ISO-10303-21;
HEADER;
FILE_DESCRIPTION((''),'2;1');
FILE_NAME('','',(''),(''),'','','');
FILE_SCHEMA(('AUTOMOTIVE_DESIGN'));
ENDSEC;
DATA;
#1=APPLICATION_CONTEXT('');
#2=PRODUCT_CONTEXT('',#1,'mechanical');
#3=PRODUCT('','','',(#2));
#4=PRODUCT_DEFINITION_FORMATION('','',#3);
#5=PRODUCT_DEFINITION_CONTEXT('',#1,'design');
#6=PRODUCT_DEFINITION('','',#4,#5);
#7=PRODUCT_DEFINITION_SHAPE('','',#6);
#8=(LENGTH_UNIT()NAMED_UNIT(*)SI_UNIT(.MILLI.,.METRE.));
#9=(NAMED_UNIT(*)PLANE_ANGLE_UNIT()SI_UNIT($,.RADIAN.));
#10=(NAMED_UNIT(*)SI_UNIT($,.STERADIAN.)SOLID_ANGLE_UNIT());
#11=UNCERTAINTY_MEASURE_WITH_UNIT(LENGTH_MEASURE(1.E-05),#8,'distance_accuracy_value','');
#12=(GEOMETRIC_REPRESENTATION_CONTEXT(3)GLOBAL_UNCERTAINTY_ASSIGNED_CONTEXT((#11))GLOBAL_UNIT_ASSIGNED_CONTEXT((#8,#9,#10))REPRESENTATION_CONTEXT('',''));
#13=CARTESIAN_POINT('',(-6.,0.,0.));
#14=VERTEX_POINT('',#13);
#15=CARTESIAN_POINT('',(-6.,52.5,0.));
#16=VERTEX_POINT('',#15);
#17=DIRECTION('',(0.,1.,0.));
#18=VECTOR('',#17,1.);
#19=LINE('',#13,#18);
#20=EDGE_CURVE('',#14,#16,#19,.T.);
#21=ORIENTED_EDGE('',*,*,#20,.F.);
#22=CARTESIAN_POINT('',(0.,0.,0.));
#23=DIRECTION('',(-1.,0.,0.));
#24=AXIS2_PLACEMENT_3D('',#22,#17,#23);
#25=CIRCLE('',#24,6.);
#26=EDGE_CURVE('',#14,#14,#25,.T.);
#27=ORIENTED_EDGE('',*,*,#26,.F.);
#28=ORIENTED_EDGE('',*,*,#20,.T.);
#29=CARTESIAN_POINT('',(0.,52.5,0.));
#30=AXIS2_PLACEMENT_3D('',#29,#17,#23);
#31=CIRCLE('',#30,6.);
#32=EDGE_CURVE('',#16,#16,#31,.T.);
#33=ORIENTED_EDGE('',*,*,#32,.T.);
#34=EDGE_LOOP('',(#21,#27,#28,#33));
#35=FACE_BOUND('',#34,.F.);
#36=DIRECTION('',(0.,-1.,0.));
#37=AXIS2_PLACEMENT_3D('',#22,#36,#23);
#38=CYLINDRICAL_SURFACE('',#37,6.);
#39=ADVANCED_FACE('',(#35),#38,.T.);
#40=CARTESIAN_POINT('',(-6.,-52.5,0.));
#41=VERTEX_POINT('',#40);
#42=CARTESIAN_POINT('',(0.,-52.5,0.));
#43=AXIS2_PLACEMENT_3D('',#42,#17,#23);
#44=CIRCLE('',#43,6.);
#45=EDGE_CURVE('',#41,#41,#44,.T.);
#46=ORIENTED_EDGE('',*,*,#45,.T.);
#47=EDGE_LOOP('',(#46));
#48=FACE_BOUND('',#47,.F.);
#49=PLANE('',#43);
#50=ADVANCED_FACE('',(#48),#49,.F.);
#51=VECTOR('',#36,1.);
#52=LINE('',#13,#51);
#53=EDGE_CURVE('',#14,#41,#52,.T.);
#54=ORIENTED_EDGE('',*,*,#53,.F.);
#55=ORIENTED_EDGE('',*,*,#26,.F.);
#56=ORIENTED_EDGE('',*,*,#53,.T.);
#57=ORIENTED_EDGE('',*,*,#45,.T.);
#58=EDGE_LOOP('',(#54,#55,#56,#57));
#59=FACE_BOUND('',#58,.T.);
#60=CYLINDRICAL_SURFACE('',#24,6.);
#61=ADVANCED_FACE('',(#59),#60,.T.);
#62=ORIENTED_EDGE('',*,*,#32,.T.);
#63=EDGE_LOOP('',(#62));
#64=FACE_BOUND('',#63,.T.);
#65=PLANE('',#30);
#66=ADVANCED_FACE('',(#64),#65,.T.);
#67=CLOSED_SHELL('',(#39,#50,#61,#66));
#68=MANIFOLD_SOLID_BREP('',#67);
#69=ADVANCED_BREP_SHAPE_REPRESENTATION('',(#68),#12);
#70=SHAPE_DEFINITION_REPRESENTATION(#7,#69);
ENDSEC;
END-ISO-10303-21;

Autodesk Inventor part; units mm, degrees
ref_plane "YZ Plane" through (0, 0, 0) normal (1, 0, 0) x (0, 1, 0)
ref_plane "XZ Plane" through (0, 0, 0) normal (0, 1, 0) x (-1, 0, 0)
ref_plane "XY Plane" through (0, 0, 0) normal (0, 0, 1) x (1, 0, 0)
sketch "Szkic1" plane through (0, 0, 0) normal (0, 1, 0) x (-1, 0, 0)
  circle A0 centre (0, 0) radius 6
  dimension "d0" = 12
extrude "Wyciągnięcie proste1" add sketch "Szkic1" along normal mid plane 105
thread "Gwint1" size "M12x1.75" class "6g" standard "ANSI Metric M Profile" length 48
thread "Gwint2" size "M12x1.75" class "6g" standard "ANSI Metric M Profile" length 33
properties part number "Śruba_do_widelca" material "Stal nierdzewna"
